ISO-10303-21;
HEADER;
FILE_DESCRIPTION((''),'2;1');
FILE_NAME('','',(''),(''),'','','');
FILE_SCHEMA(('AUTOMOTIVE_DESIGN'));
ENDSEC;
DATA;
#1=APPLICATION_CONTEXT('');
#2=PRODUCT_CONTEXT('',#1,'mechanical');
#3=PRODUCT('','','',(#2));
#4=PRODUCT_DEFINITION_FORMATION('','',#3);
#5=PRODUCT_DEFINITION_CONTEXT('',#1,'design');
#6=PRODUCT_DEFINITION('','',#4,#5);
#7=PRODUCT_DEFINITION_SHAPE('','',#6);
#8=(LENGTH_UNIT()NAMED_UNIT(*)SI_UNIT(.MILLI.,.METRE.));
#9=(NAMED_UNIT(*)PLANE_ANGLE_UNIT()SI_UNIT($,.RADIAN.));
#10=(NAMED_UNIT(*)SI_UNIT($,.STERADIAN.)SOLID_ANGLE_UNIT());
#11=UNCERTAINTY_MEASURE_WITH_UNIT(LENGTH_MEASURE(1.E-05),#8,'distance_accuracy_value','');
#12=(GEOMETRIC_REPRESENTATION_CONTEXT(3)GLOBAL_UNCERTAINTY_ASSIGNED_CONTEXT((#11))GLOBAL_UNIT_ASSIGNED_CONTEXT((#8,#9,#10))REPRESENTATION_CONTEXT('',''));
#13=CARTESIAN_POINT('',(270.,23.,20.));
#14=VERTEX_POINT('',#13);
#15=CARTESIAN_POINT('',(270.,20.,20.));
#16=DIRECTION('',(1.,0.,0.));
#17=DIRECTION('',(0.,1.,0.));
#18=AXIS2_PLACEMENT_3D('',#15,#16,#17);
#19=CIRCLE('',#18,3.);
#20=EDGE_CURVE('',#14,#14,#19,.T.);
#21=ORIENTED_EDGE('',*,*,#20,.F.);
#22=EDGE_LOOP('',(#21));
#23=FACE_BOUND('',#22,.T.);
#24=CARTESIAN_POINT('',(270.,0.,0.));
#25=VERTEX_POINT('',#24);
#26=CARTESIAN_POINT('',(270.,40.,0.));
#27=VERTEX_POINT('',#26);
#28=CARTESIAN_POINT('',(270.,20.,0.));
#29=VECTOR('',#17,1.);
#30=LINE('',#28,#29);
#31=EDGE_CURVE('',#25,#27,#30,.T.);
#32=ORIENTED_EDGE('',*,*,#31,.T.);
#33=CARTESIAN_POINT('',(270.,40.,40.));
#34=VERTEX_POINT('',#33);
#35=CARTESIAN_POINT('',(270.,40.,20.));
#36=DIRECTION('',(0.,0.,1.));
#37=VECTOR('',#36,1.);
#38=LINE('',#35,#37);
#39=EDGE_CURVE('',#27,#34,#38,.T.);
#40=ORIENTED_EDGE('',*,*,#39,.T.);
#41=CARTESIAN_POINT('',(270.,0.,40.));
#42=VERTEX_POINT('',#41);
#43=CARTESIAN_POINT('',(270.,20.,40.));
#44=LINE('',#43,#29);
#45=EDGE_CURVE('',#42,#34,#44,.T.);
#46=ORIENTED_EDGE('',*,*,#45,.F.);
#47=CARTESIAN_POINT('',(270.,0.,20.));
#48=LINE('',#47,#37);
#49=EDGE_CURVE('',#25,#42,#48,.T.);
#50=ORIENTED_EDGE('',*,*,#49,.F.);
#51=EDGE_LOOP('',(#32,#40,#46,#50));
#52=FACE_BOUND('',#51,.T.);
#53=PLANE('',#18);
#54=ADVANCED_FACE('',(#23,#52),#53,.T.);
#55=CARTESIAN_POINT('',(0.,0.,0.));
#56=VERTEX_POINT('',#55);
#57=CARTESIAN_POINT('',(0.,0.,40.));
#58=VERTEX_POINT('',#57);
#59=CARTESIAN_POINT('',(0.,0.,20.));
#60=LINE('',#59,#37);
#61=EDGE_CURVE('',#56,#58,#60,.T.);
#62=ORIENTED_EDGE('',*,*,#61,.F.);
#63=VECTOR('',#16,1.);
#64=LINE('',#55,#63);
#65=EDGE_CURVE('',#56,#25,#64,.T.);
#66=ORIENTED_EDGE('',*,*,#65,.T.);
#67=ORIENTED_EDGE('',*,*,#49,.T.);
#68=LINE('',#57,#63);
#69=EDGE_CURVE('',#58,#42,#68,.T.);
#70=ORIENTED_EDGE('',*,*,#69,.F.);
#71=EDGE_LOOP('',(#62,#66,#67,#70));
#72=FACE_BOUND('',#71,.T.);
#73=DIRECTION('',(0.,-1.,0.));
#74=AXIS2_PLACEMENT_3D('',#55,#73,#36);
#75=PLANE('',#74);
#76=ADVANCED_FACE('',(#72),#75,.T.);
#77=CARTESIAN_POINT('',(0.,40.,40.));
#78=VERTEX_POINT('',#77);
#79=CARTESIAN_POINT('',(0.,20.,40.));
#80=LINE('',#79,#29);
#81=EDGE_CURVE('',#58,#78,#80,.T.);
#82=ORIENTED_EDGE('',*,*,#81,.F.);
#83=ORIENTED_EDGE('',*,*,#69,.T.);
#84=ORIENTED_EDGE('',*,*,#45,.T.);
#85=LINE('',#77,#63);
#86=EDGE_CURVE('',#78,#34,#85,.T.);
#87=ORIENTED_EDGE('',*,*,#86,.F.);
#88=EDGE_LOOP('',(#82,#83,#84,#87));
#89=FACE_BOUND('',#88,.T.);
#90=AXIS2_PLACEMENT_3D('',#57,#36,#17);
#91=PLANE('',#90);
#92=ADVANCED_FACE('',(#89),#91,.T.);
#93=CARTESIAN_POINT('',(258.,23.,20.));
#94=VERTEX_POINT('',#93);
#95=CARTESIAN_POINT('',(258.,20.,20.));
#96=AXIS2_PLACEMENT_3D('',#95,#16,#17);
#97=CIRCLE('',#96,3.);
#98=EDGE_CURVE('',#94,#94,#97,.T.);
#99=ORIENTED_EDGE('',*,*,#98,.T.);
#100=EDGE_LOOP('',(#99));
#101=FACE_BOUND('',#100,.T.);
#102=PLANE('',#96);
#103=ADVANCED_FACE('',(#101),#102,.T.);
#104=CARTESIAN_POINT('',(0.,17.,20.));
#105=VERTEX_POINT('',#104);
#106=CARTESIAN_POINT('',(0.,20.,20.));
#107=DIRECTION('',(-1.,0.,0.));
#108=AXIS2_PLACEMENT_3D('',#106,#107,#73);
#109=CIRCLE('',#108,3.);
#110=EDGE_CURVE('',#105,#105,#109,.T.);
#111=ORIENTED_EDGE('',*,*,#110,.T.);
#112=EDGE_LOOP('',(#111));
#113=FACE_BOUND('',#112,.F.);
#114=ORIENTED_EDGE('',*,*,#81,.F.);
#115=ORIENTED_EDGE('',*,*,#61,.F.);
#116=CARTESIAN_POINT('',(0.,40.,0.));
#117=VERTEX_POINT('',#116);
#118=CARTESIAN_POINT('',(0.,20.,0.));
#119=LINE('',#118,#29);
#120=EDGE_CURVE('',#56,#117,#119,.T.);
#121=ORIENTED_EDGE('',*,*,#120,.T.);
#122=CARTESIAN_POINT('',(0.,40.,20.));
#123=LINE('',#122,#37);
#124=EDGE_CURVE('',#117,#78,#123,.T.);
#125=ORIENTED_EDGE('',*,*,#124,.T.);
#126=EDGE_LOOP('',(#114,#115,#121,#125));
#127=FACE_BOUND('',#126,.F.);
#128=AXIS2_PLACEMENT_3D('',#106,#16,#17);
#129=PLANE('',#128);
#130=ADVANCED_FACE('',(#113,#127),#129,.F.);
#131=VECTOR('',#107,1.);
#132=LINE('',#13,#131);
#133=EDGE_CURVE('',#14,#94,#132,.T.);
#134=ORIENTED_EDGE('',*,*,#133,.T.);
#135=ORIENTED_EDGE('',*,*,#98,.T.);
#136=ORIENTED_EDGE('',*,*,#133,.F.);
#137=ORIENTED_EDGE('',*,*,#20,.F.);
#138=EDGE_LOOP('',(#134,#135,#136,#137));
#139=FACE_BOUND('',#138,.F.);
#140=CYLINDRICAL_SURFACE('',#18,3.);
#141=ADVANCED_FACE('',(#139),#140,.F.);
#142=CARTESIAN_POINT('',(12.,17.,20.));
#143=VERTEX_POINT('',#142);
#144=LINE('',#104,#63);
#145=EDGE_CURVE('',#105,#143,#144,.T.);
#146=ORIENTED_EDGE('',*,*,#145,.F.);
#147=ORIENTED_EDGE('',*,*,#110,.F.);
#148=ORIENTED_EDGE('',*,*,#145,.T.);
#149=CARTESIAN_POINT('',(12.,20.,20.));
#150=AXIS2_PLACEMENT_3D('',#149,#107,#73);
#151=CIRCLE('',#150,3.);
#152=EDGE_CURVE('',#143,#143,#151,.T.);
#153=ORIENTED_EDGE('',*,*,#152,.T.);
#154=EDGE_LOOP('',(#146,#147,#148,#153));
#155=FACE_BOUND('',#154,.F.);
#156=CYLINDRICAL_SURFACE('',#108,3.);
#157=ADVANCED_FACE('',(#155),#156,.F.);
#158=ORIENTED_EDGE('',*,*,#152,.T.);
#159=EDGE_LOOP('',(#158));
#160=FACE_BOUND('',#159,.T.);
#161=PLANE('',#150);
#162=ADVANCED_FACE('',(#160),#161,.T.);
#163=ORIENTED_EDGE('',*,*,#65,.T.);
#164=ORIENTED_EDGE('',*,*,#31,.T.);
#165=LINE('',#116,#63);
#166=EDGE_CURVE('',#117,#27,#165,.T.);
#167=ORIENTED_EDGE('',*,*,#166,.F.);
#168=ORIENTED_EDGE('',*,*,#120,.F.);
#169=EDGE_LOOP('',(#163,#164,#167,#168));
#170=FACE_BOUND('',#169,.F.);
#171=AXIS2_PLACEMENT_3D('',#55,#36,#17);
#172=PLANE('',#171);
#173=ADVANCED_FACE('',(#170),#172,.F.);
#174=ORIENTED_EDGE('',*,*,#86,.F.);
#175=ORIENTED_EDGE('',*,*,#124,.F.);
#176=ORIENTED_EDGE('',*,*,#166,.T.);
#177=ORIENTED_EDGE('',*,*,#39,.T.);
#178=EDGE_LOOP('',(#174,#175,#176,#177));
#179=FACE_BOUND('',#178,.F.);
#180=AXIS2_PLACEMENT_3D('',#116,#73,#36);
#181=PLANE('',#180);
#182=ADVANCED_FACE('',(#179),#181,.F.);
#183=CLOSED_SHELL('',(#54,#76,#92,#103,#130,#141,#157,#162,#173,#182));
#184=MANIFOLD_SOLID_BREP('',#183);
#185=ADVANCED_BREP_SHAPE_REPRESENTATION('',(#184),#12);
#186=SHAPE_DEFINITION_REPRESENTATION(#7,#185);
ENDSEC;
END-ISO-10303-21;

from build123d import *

# Parameters (mm, degrees)
F0_W     = 40
F0_H     = 40
F1_DEPTH = 270
F2_R     = 3
F3_DEPTH = 12
F4_R     = 3
F5_DEPTH = 12


with BuildPart() as f1:
    # F0 (on Right) → F1 (new body)
    with BuildSketch(Plane.YZ):
        with Locations((20, 20)):
            Rectangle(F0_W, F0_H)
    extrude(amount=F1_DEPTH)

    # F2 (on face) → F3 (cut)
    with BuildSketch(Plane.YZ.offset(270)):
        with Locations((20, 20)):
            Circle(F2_R)
    extrude(amount=-F3_DEPTH, mode=Mode.SUBTRACT)

    # F4 (on face) → F5 (cut)
    with BuildSketch(Plane(origin=(0, 0, 0), x_dir=(0, -1, 0), z_dir=(-1, 0, 0))):
        with Locations((-20, 20)):
            Circle(F4_R)
    extrude(amount=-F5_DEPTH, mode=Mode.SUBTRACT)


solid = f1.part
